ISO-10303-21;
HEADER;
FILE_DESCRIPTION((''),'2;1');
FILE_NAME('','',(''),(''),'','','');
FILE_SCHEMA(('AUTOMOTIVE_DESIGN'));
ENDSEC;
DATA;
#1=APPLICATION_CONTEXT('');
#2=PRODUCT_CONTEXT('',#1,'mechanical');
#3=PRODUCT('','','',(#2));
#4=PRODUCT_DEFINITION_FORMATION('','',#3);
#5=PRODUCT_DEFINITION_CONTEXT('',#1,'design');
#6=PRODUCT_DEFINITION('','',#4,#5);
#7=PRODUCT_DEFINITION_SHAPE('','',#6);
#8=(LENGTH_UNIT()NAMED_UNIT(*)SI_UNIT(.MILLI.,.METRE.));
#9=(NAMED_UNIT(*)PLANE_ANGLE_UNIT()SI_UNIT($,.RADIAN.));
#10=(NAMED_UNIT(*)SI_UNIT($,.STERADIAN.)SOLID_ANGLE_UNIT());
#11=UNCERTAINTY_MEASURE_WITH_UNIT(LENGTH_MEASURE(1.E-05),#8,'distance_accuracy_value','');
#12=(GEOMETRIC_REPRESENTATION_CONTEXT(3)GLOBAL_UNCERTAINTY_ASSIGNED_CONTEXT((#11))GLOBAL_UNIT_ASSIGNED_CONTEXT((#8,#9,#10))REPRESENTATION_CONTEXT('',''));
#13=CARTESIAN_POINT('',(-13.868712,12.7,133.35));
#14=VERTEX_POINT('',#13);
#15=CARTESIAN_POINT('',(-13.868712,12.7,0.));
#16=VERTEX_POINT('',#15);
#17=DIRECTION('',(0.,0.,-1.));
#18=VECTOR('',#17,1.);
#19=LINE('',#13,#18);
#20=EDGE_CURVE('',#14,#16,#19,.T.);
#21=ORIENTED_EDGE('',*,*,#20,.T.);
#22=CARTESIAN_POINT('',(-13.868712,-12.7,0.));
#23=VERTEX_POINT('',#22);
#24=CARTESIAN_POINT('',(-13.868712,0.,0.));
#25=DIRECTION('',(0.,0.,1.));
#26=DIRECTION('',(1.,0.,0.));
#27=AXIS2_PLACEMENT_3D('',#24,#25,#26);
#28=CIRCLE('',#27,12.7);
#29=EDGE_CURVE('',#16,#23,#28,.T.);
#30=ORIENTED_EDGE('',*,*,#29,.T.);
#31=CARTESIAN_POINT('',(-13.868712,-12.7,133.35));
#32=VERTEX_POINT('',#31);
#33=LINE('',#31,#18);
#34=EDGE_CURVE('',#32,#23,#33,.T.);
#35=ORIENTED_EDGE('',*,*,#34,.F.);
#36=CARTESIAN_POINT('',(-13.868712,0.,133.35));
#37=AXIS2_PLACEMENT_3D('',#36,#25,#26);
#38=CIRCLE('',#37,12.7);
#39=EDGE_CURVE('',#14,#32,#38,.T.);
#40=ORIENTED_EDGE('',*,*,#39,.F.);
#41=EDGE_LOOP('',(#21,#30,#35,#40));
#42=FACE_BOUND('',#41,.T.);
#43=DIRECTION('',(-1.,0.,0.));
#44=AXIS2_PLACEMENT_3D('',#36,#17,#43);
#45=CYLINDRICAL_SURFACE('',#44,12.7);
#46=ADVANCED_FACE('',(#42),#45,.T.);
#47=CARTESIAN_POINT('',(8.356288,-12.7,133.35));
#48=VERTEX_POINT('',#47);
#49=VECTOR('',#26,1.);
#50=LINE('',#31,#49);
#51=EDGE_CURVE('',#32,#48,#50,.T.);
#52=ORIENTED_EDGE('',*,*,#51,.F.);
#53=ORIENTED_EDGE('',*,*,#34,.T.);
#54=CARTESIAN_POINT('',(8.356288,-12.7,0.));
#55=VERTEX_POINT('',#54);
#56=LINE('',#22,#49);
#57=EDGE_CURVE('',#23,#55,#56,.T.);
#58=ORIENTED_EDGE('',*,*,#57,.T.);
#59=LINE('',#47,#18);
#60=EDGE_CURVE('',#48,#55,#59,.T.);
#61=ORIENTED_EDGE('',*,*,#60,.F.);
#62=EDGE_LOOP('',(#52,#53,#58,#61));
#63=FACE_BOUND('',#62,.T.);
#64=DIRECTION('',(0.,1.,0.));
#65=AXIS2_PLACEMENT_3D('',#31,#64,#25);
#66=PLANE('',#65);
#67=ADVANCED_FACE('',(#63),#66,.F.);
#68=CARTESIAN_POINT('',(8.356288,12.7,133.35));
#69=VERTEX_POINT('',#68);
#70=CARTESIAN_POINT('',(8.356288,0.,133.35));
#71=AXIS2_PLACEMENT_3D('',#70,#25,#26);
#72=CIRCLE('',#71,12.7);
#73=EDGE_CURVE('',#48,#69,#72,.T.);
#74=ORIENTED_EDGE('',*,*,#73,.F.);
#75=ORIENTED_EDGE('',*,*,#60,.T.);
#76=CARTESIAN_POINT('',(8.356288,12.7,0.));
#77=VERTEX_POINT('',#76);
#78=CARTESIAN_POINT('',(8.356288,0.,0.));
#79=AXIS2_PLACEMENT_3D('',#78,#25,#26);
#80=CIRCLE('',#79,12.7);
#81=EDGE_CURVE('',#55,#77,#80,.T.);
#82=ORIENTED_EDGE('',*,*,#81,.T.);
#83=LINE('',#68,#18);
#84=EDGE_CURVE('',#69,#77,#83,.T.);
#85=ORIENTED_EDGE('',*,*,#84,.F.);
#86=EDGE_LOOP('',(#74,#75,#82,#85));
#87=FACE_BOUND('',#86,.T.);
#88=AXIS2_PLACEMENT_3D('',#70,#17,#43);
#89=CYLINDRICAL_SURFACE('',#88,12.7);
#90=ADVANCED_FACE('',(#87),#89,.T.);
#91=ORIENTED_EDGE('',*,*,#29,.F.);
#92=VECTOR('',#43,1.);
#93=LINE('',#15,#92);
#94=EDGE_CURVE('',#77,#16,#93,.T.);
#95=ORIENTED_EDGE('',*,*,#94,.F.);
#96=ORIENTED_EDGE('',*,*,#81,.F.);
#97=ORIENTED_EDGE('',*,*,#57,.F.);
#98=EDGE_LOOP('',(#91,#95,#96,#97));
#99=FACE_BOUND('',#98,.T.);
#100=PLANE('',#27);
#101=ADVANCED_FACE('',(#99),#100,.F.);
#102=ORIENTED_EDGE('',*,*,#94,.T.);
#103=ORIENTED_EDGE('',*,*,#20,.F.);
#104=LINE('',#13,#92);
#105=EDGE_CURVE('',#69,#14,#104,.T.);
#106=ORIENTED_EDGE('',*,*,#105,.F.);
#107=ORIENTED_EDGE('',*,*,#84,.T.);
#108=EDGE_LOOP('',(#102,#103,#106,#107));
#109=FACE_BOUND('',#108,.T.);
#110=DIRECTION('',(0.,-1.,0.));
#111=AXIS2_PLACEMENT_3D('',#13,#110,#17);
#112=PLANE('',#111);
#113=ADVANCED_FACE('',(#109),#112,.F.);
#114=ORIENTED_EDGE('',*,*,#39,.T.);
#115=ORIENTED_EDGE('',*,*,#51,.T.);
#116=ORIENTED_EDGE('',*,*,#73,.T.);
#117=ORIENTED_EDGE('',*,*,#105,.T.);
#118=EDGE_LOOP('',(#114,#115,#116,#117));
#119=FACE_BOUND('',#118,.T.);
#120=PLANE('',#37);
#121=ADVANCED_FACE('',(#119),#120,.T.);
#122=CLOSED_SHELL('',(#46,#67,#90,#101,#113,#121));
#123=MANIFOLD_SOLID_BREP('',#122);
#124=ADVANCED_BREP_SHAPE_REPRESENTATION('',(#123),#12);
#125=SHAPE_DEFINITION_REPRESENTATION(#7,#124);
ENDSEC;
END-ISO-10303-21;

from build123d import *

# Parameters (mm, degrees)
BOSS_EXTRUDE1_DEPTH = 133.35


with BuildPart() as part:
    # Sketch1 → Boss-Extrude1 (new body)
    with BuildSketch(Plane.XY):
        with BuildLine():
            Line((-13.868711656, 12.7), (8.356288344, 12.7))
            ThreePointArc((8.356288344, 12.7), (21.056288344, 0), (8.356288344, -12.7))
            Line((8.356288344, -12.7), (-13.868711656, -12.7))
            ThreePointArc((-13.868711656, -12.7), (-26.568711656, 0), (-13.868711656, 12.7))
        make_face()
    extrude(amount=BOSS_EXTRUDE1_DEPTH)


solid = part.part
